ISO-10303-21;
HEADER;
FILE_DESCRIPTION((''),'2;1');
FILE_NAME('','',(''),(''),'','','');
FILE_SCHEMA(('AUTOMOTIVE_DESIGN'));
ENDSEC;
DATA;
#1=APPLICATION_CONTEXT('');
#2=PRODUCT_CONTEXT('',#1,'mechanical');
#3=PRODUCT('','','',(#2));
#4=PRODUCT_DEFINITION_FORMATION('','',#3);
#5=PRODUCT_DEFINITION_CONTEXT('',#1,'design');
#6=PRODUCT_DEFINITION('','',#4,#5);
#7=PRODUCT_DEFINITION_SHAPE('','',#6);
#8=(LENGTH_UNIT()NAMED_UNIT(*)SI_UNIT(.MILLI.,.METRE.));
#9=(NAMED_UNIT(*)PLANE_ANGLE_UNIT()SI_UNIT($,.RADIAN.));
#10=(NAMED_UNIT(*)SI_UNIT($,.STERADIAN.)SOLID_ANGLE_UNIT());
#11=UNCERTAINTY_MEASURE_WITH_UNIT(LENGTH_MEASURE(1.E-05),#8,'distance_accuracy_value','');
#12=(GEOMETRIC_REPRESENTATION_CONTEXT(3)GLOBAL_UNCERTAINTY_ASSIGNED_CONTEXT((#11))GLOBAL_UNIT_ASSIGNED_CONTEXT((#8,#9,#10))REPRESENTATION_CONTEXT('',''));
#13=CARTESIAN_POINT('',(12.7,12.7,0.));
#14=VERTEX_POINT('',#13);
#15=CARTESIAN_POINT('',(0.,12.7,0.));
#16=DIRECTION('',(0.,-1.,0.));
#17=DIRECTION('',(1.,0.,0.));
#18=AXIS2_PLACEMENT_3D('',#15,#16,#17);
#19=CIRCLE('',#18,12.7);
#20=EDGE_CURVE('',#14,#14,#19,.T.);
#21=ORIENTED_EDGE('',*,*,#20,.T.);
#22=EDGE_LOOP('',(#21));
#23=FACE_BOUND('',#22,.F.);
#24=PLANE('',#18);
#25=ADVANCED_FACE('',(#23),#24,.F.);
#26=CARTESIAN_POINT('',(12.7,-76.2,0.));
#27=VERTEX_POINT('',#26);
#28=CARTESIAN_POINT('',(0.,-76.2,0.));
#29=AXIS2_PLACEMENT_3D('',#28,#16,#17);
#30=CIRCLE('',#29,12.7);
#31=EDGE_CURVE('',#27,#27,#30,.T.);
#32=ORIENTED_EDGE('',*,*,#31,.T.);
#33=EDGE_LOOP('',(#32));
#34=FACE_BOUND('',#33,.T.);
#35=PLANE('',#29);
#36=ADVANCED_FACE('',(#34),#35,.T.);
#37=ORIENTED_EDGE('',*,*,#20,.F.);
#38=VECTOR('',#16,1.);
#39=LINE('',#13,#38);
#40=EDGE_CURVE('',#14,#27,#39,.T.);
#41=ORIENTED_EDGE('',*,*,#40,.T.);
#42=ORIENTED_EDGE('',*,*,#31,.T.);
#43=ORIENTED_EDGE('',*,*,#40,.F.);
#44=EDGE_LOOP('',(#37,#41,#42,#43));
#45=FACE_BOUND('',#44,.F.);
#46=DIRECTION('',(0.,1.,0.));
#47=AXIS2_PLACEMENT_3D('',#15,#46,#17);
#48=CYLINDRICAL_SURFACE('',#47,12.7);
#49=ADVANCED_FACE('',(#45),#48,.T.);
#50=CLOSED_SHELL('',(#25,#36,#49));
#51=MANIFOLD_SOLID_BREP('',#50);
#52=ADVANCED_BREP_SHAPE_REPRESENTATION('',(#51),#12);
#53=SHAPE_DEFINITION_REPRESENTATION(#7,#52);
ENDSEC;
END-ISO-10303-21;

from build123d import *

# Parameters (mm, degrees)
F1_R     = 12.7
F2_DEPTH = 88.9


with BuildPart() as f2:
    # F1 (on offset) → F2 (new body)
    with BuildSketch(Plane.XZ.offset(-12.7)):
        Circle(F1_R)
    extrude(amount=F2_DEPTH)


solid = f2.part
